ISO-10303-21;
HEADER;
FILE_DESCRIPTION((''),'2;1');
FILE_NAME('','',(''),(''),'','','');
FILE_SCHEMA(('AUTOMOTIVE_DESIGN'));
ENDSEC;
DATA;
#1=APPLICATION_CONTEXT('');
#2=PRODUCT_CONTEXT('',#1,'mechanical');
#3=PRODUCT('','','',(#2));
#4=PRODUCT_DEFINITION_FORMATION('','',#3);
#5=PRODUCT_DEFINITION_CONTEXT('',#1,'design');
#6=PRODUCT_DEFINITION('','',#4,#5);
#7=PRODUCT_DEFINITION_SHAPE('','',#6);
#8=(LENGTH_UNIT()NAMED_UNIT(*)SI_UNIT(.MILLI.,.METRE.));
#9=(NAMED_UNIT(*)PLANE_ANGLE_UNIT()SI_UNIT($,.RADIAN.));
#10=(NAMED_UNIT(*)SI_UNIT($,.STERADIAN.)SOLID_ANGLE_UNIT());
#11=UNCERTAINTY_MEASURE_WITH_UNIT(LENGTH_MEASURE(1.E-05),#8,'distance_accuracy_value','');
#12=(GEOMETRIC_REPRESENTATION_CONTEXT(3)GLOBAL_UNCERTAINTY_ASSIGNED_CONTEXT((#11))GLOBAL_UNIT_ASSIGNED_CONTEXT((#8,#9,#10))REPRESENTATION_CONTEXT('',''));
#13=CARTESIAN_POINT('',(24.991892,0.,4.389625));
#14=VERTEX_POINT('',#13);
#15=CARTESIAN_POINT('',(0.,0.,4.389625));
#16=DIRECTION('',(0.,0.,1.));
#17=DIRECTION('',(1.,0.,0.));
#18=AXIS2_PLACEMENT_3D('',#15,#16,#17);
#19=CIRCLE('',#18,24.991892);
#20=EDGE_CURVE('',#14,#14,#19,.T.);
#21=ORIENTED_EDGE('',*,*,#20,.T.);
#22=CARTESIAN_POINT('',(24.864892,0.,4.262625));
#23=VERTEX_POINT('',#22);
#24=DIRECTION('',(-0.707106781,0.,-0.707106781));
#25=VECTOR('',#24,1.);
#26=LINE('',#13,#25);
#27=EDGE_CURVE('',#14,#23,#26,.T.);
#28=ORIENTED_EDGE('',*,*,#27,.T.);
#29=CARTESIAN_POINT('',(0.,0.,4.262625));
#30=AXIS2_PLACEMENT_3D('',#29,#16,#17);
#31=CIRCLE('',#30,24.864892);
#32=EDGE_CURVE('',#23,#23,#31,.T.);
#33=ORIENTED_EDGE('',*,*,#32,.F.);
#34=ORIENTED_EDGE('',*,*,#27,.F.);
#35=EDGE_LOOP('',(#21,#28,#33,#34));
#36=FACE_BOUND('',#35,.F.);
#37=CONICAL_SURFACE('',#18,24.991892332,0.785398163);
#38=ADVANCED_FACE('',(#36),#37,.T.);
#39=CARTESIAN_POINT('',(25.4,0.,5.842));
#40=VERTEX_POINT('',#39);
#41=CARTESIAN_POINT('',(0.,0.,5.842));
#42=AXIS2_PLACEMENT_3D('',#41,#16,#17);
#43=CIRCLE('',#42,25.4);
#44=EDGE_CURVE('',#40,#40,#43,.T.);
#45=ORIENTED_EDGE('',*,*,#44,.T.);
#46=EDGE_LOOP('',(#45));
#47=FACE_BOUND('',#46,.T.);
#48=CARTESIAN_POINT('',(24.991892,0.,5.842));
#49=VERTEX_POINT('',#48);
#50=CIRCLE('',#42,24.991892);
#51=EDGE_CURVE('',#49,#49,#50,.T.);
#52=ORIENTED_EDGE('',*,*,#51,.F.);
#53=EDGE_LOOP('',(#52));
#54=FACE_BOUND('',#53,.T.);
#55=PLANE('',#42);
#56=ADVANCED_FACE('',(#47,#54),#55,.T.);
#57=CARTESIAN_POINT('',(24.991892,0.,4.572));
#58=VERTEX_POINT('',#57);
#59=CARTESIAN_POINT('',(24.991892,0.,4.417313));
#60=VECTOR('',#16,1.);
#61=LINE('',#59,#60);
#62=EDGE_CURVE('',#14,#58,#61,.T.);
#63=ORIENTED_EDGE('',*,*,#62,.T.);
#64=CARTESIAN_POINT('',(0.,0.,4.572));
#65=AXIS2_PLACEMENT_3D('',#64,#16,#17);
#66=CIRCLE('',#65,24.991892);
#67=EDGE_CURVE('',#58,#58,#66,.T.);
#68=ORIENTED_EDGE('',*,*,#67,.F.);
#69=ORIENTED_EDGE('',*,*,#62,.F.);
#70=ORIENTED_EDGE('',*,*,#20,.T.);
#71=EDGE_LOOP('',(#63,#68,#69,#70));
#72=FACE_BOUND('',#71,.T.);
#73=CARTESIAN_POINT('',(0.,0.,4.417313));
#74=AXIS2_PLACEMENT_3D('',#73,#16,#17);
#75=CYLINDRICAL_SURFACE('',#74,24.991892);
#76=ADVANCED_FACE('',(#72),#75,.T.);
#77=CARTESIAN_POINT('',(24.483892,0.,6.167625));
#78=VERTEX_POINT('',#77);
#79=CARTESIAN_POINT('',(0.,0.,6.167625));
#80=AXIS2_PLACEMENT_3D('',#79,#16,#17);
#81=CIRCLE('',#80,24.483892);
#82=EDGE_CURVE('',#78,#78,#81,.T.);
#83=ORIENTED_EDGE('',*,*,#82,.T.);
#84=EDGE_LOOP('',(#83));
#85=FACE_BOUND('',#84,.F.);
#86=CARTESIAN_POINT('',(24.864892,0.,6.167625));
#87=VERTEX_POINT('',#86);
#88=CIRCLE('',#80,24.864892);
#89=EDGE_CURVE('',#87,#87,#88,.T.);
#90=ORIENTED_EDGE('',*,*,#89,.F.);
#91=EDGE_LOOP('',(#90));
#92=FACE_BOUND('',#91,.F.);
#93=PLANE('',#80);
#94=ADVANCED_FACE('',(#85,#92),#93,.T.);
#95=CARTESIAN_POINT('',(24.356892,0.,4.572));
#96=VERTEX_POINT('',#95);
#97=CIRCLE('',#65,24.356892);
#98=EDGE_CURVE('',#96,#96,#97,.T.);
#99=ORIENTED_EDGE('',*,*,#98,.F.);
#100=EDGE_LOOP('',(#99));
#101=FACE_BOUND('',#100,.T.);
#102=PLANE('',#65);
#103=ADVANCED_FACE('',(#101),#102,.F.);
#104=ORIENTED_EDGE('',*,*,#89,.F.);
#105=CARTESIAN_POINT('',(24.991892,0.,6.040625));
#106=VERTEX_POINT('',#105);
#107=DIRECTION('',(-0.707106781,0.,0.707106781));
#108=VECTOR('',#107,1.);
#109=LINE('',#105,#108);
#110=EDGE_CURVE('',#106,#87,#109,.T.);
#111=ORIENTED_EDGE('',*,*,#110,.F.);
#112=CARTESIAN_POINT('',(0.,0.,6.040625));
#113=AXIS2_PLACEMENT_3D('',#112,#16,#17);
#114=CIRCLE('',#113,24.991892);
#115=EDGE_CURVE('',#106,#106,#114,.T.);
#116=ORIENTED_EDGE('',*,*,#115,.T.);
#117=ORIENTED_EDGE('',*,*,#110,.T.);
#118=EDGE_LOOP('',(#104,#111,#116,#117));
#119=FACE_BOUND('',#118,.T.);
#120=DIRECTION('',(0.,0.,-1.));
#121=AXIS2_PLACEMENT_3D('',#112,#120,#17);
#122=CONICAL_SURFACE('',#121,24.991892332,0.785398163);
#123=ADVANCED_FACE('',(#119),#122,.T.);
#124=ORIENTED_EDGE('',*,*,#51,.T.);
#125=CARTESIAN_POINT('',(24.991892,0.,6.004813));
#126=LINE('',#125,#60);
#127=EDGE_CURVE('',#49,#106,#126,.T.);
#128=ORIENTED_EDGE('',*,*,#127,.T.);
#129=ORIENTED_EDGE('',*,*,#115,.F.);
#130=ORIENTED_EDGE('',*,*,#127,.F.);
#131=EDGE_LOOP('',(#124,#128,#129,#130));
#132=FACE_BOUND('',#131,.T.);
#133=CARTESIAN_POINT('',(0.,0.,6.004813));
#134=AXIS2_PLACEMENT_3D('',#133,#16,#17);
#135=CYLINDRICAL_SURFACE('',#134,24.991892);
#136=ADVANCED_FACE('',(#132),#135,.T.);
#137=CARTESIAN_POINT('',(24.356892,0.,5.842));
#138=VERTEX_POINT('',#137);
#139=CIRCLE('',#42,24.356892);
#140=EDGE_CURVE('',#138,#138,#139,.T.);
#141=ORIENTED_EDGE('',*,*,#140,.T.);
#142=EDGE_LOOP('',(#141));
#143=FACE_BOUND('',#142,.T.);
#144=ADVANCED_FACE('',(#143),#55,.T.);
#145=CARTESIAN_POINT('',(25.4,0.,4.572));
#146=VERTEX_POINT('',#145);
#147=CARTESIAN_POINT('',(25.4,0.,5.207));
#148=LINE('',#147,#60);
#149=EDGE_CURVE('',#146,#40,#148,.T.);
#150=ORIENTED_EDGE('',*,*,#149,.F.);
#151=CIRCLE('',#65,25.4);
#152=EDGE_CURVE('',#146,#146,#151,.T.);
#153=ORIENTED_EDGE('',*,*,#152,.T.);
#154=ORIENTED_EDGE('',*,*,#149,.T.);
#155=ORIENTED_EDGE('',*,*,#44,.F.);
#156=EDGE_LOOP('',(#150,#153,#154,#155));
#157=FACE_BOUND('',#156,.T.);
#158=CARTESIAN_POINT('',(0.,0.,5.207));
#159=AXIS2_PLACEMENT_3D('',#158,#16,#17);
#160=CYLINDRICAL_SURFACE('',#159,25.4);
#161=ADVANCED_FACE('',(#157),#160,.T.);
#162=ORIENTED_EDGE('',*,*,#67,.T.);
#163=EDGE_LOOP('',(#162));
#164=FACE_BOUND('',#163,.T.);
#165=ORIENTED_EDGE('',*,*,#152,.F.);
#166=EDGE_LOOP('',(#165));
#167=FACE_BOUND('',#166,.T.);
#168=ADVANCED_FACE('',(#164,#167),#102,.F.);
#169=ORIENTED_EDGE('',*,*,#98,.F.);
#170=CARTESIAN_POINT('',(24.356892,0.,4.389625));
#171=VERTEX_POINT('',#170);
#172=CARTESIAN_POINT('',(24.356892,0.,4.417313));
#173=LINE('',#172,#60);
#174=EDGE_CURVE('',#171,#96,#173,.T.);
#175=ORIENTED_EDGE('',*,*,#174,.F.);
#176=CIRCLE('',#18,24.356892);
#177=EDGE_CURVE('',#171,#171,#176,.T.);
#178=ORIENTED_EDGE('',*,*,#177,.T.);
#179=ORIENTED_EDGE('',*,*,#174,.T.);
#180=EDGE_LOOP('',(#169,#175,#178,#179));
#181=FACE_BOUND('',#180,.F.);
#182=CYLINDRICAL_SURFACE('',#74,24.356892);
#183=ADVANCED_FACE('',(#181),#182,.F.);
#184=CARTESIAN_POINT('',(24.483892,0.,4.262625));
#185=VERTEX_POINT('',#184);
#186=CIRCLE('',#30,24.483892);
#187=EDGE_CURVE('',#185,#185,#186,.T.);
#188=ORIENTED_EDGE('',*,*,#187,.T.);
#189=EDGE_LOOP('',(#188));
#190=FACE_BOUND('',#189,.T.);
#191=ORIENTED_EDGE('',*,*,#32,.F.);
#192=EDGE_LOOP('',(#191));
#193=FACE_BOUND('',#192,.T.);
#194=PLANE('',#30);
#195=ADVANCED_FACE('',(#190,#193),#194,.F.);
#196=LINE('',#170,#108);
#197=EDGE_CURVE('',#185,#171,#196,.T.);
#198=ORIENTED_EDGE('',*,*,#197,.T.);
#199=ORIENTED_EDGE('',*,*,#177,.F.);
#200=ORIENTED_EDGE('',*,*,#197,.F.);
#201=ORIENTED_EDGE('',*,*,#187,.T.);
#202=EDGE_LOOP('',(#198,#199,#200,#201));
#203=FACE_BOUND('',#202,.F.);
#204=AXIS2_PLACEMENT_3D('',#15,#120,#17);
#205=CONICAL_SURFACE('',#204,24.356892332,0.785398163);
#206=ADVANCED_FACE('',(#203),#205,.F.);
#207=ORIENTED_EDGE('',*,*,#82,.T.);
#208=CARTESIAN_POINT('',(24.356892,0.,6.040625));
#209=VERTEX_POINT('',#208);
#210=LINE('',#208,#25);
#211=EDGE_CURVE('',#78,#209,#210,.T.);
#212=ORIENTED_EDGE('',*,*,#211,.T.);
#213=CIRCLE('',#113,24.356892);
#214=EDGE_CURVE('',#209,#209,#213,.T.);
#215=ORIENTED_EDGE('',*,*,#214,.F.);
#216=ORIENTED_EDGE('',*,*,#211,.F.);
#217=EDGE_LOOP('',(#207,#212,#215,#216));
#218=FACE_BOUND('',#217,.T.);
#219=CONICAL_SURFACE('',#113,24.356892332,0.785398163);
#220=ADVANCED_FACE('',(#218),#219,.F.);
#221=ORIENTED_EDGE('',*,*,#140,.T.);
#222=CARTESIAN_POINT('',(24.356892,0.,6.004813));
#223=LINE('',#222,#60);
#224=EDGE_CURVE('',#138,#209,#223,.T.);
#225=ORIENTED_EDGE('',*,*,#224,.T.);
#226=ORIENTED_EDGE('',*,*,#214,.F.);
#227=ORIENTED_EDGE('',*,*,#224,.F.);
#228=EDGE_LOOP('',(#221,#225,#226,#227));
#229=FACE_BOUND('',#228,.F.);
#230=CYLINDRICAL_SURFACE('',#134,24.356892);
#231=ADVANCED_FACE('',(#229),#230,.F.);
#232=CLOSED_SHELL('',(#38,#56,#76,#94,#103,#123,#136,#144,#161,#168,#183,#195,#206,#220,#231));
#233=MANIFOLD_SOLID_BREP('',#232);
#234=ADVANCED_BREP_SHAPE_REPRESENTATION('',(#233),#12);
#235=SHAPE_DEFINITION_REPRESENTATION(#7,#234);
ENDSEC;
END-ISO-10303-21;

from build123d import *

# Parameters (mm, degrees)
F0_W    = 24.3568923324
F0_H    = 1.27
F0_W_2  = 0.635
F0_W_3  = 0.4081076676
F0_H_2  = 0.3256250771
F0_H_3  = 0.3093749229
F2_SIZE = 0.127
F3_SIZE = 0.127
F4_SIZE = 0.127
F5_SIZE = 0.127


with BuildPart() as f1:
    # F0 (on Front) → F1 (revolve)
    with BuildSketch(Plane.XZ):
        with Locations((12.1784461662, 5.207)):
            Rectangle(F0_W, F0_H)
        with Locations((24.6743923324, 5.207)):
            Rectangle(F0_W_2, F0_H)
        with Locations((25.1959461662, 5.207)):
            Rectangle(F0_W_3, F0_H)
        with Locations((24.6743923324, 6.0048125385)):
            Rectangle(F0_W_2, F0_H_2)
        with Locations((24.6743923324, 4.4173125385)):
            Rectangle(F0_W_2, F0_H_3)
    revolve(axis=Axis((0, 0, 5.207), (0, 0, 1)))

    # F2
    f2_edges = [f1.edges().sort_by_distance(p)[0] for p in [
        (-24.991892, 0, 6.167625),
    ]]
    chamfer(f2_edges, length=F2_SIZE)

    # F3
    f3_edges = [f1.edges().sort_by_distance(p)[0] for p in [
        (-24.356892, 0, 6.167625),
    ]]
    chamfer(f3_edges, length=F3_SIZE)

    # F4
    f4_edges = [f1.edges().sort_by_distance(p)[0] for p in [
        (-24.991892, 0, 4.262625),
    ]]
    chamfer(f4_edges, length=F4_SIZE)

    # F5
    f5_edges = [f1.edges().sort_by_distance(p)[0] for p in [
        (-24.356892, 0, 4.262625),
    ]]
    chamfer(f5_edges, length=F5_SIZE)


solid = f1.part
